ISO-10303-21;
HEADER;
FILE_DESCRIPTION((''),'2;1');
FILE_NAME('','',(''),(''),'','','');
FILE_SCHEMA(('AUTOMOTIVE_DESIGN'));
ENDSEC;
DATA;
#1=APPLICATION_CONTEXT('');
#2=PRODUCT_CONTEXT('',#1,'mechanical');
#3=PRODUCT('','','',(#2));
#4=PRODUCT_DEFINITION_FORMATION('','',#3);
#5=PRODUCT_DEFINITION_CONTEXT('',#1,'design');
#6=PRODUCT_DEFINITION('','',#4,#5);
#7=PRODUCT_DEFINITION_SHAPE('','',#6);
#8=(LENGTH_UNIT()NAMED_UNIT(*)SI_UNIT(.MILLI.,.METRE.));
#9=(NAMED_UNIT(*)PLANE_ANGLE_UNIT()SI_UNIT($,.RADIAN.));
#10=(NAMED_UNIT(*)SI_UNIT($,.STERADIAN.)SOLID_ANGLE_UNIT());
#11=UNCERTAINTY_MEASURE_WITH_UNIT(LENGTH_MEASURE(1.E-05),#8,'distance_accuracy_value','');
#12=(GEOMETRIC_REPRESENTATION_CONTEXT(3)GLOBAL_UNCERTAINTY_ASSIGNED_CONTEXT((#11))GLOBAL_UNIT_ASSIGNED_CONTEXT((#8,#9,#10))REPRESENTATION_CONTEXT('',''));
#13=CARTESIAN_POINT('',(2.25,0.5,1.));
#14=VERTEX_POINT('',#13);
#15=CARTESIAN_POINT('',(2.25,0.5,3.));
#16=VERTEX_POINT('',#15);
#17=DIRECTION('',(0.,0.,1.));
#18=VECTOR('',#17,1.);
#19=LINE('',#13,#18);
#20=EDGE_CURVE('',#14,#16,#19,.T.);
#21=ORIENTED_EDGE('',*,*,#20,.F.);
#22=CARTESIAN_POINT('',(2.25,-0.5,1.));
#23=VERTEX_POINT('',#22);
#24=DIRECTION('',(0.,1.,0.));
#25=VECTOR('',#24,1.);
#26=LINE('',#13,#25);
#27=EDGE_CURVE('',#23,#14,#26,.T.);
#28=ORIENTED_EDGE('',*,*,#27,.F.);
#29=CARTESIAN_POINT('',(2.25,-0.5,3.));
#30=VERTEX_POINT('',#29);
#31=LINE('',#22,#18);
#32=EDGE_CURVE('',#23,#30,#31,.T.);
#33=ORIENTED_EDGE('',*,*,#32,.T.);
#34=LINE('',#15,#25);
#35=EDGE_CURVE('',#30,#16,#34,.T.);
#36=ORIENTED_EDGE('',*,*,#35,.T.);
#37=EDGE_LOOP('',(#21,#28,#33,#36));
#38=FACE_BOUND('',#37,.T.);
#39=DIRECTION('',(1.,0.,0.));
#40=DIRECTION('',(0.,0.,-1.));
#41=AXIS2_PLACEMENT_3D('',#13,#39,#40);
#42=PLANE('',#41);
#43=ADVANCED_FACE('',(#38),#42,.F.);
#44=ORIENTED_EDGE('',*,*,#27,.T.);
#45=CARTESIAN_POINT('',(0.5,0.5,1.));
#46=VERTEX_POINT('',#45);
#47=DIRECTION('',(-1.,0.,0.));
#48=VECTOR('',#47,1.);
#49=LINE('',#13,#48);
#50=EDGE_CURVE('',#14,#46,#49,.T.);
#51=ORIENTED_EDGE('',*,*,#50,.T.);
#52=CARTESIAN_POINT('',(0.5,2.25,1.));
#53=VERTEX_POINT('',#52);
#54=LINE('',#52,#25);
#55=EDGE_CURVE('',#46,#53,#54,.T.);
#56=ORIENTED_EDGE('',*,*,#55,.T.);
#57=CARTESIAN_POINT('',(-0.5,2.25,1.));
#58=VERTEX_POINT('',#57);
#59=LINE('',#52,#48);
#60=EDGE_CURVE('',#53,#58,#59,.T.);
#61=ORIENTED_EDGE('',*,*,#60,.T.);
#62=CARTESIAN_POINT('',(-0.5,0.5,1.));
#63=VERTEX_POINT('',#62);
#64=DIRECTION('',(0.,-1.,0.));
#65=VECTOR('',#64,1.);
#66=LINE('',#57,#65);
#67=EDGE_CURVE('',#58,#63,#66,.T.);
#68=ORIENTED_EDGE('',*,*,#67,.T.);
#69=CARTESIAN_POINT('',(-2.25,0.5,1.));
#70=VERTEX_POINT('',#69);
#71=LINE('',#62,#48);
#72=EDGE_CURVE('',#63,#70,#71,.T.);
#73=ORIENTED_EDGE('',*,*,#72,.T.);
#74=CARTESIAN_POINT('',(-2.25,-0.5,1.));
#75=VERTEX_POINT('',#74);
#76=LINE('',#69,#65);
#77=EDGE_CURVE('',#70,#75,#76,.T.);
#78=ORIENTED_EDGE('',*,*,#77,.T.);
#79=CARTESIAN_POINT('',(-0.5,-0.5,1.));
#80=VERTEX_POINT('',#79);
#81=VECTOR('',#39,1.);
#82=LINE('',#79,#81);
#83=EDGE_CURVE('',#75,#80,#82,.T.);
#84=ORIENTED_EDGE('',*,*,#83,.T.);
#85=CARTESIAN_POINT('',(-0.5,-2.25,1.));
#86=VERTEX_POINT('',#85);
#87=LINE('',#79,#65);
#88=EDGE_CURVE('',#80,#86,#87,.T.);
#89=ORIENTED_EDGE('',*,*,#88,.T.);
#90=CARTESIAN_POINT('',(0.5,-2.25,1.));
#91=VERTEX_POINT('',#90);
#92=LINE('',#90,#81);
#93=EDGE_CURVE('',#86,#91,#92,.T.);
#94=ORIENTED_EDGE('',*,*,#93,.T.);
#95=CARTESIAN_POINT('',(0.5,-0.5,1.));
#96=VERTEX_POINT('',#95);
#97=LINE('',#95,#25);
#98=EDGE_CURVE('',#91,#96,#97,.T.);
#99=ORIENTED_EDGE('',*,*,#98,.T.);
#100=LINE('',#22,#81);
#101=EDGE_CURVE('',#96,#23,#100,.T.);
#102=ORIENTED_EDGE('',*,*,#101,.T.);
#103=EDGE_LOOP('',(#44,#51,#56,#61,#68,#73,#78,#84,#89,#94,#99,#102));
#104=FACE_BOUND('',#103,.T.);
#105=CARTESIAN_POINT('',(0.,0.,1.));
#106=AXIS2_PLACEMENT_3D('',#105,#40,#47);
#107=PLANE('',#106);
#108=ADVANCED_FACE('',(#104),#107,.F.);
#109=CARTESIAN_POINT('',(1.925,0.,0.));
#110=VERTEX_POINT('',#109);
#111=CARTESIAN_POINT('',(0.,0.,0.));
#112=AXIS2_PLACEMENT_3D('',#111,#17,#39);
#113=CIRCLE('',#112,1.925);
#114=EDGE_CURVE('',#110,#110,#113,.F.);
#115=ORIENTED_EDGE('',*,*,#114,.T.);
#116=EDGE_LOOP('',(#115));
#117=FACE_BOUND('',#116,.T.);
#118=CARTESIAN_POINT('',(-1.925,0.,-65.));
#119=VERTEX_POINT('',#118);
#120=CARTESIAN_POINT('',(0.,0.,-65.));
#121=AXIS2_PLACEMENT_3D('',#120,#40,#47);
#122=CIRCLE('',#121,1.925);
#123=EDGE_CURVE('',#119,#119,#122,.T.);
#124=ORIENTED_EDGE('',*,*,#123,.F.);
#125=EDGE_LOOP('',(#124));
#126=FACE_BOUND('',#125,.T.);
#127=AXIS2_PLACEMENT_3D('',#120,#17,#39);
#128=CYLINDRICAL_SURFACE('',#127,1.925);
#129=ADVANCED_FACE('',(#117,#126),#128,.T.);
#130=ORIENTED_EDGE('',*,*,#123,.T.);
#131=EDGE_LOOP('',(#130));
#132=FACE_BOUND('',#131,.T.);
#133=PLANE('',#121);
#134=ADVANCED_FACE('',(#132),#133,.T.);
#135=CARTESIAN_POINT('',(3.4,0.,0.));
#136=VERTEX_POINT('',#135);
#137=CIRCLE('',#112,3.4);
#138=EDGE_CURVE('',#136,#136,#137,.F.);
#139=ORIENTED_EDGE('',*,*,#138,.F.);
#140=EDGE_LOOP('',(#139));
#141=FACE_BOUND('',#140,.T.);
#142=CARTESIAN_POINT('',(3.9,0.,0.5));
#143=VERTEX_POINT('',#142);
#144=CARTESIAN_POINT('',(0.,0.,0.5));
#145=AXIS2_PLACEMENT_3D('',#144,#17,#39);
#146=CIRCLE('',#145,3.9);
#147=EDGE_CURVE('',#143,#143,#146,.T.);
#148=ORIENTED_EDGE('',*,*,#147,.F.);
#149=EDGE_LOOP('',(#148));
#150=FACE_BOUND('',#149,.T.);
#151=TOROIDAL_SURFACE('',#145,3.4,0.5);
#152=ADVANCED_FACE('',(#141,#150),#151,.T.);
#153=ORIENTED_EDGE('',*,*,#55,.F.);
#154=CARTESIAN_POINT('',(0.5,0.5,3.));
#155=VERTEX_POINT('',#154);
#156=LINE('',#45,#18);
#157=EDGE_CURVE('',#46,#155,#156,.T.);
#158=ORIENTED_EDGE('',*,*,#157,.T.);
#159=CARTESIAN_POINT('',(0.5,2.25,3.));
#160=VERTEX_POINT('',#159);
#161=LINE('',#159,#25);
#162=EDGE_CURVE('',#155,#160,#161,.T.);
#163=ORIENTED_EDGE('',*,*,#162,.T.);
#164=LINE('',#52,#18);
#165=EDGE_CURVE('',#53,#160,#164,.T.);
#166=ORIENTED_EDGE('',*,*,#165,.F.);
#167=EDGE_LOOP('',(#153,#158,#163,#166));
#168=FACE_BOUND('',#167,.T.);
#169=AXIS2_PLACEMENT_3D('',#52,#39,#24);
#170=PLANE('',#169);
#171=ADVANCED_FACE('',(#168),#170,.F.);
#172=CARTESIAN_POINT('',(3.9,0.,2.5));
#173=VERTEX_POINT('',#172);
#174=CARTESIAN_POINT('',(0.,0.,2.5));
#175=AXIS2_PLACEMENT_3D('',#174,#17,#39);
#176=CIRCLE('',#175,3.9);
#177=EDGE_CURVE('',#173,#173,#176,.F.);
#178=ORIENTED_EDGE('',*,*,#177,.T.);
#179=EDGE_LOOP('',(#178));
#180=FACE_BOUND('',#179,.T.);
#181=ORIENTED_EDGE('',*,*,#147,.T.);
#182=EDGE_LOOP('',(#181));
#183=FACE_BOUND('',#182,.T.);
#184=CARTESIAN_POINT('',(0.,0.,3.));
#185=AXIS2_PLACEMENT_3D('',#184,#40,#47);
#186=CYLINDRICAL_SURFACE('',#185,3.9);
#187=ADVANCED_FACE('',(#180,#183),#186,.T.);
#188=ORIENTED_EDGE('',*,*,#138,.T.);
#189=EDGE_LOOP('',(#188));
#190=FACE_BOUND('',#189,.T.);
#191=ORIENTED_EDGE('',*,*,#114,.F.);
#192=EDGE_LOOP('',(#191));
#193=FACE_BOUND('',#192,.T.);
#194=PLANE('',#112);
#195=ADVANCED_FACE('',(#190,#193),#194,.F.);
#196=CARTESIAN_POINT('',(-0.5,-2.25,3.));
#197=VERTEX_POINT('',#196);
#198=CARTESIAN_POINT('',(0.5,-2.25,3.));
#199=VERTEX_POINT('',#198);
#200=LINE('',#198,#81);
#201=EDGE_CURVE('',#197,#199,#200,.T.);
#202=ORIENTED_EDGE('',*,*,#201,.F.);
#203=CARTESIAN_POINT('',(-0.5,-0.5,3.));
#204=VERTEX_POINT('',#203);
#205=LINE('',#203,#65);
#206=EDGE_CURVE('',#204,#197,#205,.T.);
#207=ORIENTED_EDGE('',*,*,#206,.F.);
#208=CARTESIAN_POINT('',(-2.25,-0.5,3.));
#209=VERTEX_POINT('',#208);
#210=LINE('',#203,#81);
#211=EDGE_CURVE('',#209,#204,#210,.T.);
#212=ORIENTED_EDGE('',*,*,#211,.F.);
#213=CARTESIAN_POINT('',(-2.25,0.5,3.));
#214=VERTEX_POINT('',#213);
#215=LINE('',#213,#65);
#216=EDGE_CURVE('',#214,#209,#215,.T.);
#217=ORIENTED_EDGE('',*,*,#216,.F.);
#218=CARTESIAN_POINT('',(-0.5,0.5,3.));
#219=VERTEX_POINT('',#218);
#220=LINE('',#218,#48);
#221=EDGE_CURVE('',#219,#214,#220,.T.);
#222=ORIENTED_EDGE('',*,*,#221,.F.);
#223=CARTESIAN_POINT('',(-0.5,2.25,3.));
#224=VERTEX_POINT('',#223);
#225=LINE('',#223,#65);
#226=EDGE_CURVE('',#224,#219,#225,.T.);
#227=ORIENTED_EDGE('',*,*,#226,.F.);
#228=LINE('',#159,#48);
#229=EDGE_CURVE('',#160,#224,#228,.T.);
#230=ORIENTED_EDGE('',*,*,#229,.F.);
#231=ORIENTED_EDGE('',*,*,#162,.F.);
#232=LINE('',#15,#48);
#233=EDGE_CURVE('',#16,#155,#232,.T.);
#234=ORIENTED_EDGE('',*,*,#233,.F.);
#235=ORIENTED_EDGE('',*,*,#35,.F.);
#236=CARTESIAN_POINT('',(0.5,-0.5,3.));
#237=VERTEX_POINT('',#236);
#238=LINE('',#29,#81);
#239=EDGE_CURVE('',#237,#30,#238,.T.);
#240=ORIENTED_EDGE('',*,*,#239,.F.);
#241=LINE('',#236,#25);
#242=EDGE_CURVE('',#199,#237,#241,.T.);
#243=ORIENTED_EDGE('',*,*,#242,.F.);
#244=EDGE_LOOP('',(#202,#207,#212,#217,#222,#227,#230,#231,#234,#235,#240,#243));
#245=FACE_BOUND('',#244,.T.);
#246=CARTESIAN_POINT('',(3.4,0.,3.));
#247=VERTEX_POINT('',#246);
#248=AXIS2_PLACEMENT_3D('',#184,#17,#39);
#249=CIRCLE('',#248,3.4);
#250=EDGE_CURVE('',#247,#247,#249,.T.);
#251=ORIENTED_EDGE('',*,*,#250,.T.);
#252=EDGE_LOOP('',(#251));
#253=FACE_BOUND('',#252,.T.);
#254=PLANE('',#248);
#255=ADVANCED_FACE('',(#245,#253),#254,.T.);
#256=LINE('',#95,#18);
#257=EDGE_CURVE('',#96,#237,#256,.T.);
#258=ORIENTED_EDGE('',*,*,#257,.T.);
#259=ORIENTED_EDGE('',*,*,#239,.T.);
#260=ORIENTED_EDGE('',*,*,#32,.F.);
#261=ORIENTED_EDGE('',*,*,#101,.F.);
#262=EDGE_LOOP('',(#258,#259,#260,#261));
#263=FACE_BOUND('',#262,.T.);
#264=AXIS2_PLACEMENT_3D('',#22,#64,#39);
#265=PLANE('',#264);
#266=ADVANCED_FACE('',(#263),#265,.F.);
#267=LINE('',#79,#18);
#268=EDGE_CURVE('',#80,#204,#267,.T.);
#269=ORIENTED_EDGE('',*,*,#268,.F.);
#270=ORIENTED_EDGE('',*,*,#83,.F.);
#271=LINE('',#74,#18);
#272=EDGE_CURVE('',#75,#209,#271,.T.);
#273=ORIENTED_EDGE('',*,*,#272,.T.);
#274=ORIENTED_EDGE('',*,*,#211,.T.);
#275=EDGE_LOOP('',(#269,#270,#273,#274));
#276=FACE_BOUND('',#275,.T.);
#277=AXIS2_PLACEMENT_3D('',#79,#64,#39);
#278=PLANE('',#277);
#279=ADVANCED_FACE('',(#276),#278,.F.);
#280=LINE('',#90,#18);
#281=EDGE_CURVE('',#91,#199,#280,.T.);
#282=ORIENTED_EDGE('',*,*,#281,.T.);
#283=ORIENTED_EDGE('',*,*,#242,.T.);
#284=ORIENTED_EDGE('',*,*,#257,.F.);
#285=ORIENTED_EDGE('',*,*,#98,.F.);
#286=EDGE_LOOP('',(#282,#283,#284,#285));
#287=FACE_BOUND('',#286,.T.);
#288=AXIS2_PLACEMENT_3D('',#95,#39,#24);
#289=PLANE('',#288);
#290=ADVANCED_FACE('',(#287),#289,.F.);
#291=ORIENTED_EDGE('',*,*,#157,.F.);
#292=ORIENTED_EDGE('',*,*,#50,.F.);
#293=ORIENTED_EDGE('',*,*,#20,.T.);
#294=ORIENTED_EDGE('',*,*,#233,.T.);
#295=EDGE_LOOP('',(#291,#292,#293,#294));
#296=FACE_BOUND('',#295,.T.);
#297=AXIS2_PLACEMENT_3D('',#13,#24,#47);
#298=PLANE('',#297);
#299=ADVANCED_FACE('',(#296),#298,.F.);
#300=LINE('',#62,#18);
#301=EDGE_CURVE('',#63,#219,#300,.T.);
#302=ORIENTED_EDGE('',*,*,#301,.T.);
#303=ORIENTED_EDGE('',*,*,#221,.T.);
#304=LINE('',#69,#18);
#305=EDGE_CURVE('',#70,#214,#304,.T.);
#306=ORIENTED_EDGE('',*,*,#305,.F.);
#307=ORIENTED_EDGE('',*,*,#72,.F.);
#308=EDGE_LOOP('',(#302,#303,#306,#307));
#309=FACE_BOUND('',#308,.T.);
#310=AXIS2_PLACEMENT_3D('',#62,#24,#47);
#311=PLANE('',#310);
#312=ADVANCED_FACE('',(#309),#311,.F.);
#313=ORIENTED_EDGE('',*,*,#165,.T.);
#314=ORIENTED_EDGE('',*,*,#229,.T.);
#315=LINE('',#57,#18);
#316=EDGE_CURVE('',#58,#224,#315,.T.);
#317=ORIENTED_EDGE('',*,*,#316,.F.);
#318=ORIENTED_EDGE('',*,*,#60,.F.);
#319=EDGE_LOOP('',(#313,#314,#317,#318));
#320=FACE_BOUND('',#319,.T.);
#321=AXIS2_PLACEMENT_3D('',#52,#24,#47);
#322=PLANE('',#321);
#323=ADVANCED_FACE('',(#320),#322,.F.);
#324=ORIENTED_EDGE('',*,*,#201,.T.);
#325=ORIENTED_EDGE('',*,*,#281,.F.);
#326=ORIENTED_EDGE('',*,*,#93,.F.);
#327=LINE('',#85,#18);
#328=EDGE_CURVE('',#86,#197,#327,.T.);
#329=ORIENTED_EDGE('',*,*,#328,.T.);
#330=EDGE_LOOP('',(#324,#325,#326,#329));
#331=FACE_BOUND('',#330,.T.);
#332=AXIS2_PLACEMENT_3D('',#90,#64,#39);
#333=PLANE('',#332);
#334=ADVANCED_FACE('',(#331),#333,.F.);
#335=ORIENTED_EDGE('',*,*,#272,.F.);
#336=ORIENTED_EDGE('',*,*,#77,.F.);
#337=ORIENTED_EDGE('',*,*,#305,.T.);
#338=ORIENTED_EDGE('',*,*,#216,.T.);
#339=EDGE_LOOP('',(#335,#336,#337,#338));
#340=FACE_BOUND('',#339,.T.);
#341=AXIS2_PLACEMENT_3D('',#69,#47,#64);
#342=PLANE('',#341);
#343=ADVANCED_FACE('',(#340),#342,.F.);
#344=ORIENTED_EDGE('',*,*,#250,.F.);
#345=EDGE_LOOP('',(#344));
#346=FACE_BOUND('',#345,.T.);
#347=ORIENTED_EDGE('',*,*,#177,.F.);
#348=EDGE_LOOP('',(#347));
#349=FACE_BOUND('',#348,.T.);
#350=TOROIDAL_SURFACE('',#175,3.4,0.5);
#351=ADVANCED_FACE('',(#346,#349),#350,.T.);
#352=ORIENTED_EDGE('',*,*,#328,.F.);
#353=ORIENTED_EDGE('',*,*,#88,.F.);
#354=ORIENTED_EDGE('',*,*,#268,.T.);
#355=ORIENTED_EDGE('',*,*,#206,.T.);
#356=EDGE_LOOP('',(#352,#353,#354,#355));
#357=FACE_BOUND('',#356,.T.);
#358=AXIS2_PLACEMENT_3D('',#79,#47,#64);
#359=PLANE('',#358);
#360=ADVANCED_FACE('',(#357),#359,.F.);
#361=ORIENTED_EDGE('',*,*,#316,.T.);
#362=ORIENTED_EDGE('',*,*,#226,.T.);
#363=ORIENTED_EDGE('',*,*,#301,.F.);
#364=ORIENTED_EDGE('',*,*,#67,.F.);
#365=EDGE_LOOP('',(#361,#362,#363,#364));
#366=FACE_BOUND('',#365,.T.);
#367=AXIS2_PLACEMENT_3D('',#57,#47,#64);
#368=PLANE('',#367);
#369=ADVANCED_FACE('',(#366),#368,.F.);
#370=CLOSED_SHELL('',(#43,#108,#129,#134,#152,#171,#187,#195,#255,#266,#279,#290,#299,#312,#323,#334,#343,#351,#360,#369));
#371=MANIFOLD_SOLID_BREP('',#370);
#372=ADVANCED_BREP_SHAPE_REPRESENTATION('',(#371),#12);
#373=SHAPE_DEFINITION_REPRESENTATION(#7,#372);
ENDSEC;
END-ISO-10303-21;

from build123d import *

# Parameters (mm, degrees)
ESBO_O5_R                = 3.9
RESSALTO_EXTRUS_O2_DEPTH = 3
CORTE_EXTRUS_O3_DEPTH    = 2
FILETE1_R                = 0.5
ESBO_O8_R                = 1.925
RESSALTO_EXTRUS_O3_DEPTH = 65


with BuildPart() as part:
    # Esboço5 → Ressalto-extrusão2 (new body)
    with BuildSketch(Plane.XY):
        Circle(ESBO_O5_R)
    extrude(amount=RESSALTO_EXTRUS_O2_DEPTH)

    # Esboço7 → Corte-extrusão3 (cut)
    with BuildSketch(Plane.XY.offset(3)):
        Polygon((-0.5, -0.5), (-2.25, -0.5), (-2.25, 0.5), (-0.5, 0.5), (-0.5, 2.25), (0.5, 2.25), (0.5, 0.5), (2.25, 0.5), (2.25, -0.5), (0.5, -0.5), (0.5, -2.25), (-0.5, -2.25), align=None)
    extrude(amount=-CORTE_EXTRUS_O3_DEPTH, mode=Mode.SUBTRACT)

    # Filete1
    filete1_edges = [part.edges().sort_by_distance(p)[0] for p in [
        (-3.9, 0, 0),
        (-3.9, 0, 3),
    ]]
    fillet(filete1_edges, radius=FILETE1_R)

    # Esboço8 → Ressalto-extrusão3 (add)
    with BuildSketch(Plane(origin=(0, 0, 0), x_dir=(-1, 0, 0), z_dir=(0, 0, -1))):
        with Locations(Location((0, 0, 0), (0, 0, 180))):
            Circle(ESBO_O8_R)
    extrude(amount=RESSALTO_EXTRUS_O3_DEPTH)


solid = part.part
